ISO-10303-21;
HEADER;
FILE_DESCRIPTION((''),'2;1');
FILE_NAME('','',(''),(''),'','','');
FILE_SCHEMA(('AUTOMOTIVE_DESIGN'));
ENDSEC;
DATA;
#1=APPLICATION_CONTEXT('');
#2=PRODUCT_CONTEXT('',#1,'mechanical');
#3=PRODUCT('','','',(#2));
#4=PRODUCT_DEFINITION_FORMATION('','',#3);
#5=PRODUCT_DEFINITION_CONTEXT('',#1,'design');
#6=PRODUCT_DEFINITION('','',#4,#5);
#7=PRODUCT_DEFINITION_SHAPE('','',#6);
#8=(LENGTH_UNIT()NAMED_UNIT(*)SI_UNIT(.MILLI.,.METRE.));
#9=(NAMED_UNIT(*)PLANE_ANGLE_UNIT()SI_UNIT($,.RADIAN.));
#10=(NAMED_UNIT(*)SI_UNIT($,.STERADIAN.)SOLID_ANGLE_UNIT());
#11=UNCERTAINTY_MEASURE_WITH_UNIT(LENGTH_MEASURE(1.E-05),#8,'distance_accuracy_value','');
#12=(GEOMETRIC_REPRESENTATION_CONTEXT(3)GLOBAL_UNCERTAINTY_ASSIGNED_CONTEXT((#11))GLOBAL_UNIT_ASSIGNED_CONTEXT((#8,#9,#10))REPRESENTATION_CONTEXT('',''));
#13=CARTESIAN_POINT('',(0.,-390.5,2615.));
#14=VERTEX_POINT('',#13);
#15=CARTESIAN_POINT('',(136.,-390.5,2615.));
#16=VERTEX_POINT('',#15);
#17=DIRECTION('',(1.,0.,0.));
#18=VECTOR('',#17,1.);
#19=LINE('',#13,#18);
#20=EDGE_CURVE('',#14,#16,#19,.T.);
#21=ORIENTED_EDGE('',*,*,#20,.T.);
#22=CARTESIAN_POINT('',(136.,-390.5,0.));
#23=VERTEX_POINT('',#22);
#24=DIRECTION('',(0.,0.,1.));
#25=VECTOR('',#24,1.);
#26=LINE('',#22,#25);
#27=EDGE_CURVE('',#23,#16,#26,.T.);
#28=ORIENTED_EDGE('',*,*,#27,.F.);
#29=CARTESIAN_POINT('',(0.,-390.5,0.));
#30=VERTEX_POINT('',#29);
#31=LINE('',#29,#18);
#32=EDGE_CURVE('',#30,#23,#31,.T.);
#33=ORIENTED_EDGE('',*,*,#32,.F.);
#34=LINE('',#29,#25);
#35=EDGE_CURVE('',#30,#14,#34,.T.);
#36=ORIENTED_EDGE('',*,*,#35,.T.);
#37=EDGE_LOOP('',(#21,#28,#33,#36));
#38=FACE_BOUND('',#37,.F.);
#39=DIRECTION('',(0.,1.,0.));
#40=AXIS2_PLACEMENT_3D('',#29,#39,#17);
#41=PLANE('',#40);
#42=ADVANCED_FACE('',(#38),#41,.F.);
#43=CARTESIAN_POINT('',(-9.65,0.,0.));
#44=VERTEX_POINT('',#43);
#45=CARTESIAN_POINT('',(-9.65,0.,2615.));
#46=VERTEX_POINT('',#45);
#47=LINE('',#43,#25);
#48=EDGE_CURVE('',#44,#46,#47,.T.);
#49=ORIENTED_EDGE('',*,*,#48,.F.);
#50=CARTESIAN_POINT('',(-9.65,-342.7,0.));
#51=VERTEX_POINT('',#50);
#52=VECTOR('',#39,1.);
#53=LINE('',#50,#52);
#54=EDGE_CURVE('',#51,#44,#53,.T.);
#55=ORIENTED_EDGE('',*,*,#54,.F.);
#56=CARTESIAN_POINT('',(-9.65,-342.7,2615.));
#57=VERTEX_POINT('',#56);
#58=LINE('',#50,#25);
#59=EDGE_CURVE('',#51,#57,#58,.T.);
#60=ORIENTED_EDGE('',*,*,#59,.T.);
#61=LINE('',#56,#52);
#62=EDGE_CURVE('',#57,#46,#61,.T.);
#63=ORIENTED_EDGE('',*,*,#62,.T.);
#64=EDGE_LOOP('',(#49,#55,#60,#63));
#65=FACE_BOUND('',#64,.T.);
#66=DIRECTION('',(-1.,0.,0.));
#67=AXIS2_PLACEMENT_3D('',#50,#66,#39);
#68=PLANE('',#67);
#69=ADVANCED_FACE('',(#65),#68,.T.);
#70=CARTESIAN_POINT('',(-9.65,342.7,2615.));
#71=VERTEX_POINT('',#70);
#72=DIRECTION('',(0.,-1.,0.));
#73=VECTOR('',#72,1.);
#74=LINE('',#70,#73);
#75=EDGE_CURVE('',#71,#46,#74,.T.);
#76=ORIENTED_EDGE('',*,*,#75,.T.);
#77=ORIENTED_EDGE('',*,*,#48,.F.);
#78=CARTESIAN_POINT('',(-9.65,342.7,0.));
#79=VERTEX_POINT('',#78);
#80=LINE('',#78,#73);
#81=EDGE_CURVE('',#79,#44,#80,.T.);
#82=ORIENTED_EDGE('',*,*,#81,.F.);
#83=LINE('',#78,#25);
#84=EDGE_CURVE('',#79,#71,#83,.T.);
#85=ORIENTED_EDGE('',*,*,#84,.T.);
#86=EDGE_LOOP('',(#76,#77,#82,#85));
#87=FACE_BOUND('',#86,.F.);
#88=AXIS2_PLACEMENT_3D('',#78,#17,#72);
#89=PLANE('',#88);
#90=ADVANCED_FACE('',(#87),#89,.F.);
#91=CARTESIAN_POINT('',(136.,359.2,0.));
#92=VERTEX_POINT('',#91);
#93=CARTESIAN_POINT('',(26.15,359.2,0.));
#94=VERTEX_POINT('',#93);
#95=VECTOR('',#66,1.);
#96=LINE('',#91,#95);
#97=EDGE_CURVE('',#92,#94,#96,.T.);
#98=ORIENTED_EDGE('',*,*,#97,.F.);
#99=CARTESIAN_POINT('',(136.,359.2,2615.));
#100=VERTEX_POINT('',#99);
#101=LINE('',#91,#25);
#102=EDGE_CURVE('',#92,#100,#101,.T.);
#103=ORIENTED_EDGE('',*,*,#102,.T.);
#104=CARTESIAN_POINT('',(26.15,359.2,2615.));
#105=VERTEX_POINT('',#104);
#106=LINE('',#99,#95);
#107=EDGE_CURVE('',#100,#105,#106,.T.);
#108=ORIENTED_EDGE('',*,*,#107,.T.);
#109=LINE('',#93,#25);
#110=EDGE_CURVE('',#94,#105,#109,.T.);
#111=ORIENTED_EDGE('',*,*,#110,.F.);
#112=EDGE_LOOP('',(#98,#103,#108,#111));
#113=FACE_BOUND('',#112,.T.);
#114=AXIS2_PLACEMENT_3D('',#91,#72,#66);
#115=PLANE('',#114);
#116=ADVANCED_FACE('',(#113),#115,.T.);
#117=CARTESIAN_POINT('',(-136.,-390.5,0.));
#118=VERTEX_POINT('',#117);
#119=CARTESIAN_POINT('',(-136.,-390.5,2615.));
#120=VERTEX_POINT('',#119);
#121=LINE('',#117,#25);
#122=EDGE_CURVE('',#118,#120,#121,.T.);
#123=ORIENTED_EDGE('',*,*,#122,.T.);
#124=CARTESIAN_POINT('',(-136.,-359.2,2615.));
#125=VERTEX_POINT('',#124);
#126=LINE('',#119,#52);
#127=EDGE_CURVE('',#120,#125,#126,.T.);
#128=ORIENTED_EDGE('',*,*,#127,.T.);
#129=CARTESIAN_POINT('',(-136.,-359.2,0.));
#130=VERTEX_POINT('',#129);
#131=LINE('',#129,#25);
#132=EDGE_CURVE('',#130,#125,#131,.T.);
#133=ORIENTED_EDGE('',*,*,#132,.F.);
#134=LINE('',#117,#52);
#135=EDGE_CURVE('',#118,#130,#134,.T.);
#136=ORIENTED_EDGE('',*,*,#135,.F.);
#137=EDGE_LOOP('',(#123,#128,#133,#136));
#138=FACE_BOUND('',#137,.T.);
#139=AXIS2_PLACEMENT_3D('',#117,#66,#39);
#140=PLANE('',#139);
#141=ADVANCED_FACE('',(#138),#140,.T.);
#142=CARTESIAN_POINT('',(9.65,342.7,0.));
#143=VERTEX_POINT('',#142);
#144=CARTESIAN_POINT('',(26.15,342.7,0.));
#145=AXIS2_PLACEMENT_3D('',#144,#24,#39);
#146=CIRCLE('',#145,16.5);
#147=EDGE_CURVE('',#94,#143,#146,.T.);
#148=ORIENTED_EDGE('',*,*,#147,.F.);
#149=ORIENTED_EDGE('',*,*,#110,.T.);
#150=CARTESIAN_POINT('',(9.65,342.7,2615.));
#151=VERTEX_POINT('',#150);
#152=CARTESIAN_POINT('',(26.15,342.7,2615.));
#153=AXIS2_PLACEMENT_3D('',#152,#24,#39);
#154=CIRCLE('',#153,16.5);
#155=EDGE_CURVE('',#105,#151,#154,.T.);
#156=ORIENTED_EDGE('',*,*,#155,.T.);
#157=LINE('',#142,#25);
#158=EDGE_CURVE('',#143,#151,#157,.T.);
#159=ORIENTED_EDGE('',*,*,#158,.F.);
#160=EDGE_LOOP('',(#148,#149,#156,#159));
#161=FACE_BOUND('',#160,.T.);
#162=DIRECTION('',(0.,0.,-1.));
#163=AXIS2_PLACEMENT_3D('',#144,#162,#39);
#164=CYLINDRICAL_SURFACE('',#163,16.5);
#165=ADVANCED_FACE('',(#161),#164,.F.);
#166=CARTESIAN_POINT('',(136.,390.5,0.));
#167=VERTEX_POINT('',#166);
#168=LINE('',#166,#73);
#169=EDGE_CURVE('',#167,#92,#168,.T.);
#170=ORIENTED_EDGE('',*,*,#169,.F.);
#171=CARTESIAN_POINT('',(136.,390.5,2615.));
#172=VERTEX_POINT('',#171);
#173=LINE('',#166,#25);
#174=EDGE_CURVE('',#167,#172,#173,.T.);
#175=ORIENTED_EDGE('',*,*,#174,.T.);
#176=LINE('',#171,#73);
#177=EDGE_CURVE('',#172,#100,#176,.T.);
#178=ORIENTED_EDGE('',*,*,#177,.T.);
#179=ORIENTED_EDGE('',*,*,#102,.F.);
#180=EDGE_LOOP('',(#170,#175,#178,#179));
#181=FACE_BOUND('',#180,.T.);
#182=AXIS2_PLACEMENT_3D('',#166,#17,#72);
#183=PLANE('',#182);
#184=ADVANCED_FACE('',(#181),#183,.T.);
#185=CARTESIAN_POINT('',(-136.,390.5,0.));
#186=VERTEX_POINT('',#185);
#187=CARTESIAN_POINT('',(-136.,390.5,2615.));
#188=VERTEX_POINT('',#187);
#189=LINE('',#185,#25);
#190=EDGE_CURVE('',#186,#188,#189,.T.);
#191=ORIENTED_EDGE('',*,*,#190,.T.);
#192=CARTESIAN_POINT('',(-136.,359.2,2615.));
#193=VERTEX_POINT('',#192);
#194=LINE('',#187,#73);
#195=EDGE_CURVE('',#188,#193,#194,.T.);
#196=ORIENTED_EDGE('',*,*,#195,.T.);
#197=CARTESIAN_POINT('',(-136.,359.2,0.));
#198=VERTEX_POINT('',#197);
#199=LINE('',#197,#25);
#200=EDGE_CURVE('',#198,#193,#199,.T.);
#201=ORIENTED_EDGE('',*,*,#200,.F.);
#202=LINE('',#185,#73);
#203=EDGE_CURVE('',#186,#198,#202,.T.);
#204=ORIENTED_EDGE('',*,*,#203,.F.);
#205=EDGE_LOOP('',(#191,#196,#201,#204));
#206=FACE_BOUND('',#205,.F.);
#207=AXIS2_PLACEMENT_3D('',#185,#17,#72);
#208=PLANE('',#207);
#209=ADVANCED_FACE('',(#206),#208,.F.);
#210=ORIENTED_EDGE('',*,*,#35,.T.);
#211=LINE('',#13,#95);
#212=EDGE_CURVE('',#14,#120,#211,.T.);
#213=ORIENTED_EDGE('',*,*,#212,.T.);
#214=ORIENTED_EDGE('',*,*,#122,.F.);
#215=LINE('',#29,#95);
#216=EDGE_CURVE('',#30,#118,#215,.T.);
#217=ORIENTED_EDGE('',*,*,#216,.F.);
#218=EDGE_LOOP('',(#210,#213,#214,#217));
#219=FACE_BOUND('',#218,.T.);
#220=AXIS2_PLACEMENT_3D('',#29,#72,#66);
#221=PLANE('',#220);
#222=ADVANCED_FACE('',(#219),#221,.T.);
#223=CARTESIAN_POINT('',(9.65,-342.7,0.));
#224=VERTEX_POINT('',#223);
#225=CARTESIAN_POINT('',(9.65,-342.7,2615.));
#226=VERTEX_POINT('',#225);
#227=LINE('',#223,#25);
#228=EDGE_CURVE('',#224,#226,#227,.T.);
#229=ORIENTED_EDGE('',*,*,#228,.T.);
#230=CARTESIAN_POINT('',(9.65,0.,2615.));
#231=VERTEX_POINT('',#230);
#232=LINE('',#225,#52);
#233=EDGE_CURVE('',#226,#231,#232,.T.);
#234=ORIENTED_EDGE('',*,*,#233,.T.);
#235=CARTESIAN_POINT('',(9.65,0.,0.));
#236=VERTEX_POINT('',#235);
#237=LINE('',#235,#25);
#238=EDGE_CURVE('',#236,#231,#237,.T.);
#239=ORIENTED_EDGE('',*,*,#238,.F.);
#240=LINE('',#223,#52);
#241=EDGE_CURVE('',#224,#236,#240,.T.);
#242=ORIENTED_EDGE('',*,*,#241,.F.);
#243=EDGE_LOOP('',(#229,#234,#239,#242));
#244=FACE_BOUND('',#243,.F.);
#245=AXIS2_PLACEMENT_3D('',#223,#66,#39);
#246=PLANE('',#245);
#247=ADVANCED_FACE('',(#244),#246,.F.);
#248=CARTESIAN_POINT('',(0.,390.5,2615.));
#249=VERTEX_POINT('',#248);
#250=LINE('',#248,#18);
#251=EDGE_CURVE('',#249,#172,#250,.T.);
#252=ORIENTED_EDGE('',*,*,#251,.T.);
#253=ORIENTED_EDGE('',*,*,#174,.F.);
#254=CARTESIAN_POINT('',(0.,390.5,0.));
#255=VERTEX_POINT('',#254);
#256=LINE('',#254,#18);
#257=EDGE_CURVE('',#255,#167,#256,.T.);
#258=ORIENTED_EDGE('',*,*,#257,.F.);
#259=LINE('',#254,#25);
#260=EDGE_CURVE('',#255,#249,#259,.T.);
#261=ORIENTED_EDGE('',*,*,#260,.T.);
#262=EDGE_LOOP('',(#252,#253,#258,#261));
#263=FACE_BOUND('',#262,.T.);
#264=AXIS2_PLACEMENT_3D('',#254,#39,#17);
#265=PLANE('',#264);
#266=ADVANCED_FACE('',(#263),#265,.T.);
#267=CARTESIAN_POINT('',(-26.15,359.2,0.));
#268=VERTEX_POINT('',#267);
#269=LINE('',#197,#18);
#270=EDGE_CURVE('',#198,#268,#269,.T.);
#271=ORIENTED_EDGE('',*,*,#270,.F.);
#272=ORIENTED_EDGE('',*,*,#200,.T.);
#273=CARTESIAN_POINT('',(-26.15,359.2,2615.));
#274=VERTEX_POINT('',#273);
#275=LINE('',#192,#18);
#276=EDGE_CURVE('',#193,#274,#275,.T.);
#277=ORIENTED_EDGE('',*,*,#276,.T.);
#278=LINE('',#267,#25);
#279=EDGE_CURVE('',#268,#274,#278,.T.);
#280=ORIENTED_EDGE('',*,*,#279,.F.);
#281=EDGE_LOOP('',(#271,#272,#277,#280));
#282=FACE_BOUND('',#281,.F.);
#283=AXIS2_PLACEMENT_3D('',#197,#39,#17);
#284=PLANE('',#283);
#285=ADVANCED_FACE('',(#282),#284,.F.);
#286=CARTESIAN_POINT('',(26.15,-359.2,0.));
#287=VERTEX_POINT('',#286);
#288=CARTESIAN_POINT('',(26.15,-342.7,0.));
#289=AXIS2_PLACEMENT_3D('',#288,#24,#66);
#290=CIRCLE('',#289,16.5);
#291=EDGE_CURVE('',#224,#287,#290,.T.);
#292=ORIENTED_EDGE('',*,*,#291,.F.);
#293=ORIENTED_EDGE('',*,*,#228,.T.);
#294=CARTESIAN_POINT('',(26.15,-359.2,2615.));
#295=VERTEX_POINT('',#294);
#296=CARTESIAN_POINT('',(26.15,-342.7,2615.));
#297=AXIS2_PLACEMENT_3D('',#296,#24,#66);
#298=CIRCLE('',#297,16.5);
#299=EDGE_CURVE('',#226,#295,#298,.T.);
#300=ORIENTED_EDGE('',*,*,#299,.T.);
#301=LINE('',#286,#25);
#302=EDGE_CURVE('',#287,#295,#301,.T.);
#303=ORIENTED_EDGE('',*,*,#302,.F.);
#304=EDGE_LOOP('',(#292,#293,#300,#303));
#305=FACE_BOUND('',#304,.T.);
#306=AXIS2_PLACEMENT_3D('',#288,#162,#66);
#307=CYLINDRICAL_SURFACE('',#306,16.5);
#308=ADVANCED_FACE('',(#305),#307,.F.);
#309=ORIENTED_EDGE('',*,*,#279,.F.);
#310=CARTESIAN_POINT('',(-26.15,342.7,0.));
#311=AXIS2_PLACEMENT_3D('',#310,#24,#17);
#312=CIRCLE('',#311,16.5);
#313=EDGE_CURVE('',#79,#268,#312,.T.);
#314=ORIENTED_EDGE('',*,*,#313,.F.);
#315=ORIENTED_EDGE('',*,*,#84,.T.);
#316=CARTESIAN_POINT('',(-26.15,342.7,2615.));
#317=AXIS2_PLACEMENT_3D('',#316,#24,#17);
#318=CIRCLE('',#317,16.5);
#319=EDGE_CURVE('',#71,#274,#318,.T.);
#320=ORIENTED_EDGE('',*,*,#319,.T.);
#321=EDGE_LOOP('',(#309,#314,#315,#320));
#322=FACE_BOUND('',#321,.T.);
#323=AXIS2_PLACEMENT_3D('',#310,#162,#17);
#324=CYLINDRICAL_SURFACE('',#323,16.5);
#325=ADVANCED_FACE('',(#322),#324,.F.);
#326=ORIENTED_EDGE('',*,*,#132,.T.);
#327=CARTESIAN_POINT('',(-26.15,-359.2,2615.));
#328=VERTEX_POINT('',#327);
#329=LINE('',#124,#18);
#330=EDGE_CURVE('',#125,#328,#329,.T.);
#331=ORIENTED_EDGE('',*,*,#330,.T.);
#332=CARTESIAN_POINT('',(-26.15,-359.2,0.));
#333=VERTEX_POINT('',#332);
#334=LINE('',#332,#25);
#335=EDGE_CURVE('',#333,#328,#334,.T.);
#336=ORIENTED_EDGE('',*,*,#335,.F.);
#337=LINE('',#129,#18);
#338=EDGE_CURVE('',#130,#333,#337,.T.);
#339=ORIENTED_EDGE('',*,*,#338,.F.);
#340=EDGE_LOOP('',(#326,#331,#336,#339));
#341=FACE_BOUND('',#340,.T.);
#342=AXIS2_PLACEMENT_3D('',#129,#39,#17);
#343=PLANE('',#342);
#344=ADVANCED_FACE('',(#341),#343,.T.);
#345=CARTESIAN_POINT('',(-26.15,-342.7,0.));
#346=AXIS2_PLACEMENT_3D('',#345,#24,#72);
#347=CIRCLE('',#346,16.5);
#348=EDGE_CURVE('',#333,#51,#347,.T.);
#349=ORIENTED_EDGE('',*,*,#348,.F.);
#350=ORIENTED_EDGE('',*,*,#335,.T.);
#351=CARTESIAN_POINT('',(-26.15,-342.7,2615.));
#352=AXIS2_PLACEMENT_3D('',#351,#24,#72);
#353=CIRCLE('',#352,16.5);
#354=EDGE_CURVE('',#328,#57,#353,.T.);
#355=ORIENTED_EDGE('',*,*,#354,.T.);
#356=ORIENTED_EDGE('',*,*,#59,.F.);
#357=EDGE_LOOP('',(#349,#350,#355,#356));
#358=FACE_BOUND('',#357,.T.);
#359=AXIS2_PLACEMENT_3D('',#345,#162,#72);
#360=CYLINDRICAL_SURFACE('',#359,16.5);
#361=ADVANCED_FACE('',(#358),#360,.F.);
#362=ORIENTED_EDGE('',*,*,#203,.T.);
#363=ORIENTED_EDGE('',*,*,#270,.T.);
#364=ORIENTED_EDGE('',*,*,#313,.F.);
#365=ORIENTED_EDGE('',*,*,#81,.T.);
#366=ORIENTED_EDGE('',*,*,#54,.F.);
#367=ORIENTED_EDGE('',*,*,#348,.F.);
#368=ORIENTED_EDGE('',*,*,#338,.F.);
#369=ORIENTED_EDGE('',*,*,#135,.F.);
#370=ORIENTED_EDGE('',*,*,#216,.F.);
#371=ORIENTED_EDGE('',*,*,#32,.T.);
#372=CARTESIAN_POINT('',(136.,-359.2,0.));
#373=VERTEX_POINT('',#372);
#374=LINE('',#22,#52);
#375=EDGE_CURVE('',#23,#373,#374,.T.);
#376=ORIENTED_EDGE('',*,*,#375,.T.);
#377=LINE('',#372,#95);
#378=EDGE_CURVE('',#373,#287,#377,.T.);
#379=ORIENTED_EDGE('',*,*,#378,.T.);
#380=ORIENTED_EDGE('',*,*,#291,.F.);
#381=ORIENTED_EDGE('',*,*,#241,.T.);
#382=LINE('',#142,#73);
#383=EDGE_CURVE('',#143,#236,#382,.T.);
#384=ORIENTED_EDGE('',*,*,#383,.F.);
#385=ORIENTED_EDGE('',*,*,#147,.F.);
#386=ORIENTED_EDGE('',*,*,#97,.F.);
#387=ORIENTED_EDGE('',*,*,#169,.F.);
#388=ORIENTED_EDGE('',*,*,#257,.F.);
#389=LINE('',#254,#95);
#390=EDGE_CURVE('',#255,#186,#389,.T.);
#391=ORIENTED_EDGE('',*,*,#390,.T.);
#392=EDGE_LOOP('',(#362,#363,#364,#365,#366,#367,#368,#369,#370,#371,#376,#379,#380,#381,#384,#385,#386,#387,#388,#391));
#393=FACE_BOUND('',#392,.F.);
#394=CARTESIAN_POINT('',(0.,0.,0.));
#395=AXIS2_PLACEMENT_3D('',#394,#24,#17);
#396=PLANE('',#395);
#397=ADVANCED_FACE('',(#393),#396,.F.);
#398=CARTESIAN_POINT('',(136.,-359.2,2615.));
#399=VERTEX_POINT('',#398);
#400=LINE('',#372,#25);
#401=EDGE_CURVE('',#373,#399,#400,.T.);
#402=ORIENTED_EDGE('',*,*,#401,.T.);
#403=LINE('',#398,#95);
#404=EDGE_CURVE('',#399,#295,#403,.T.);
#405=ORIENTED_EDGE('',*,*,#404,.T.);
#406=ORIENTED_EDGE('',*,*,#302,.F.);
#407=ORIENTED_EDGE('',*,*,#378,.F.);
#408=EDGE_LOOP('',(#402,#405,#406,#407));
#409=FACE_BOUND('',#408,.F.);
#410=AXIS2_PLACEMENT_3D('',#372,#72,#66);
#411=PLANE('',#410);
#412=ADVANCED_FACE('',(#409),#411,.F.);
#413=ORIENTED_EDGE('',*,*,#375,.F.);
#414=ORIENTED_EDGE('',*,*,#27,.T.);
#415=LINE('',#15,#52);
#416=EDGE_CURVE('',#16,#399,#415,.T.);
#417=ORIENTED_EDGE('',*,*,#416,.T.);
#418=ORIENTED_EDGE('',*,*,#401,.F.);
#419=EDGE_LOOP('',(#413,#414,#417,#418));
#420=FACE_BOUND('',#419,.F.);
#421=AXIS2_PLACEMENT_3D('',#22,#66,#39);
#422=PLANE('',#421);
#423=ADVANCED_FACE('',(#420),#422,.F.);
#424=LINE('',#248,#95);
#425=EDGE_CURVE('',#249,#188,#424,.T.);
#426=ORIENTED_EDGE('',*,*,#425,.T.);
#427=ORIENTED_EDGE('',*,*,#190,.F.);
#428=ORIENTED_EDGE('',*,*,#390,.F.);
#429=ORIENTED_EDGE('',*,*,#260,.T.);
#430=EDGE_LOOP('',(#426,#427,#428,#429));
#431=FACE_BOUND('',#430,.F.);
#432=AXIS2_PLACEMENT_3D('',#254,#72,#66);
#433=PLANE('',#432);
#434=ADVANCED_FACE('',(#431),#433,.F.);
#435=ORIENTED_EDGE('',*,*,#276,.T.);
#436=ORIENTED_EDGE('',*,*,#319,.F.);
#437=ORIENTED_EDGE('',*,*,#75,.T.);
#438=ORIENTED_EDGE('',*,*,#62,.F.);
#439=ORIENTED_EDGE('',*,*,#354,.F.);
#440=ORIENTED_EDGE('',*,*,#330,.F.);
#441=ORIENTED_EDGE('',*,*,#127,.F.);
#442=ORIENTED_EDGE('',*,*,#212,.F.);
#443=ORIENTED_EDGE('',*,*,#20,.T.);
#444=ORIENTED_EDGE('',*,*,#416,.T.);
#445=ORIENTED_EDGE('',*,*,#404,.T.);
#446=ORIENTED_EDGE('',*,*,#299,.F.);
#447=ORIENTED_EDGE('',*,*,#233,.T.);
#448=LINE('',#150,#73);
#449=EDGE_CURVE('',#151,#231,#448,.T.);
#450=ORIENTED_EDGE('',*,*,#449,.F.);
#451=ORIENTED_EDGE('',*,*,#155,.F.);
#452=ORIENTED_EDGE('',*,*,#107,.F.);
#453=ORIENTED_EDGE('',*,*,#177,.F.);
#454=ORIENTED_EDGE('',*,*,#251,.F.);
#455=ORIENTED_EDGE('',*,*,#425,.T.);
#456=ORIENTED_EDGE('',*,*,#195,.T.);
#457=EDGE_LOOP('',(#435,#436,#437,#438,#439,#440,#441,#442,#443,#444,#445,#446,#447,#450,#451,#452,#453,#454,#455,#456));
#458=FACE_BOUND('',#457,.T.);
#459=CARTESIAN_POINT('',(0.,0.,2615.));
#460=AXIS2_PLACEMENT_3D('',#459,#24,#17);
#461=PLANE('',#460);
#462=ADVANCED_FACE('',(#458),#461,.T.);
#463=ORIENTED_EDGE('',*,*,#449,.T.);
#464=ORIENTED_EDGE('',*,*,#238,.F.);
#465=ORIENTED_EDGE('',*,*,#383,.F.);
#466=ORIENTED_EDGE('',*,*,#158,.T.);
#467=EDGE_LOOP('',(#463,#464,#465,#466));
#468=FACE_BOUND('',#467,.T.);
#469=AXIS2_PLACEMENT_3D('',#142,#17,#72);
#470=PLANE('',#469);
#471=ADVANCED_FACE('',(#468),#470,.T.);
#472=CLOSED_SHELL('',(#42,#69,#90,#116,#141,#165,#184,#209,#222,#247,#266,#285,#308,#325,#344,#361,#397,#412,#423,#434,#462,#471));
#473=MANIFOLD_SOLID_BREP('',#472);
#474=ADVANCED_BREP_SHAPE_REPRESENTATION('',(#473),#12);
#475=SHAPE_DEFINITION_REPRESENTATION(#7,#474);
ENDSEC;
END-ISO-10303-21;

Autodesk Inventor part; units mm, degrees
ref_plane "YZ Plane" through (0, 0, 0) normal (1, 0, 0) x (0, 1, 0)
ref_plane "Start plane" through (0, 0, 0) normal (0, 0, 1) x (1, 0, 0)
ref_plane "End plane" through (0, 0, 2615) normal (0, 0, 1) x (1, 0, 0)
sketch "Sketch" plane through (0, 0, 0) normal (0, 0, 1) x (1, 0, 0)
  line L0 (-136, -390.5) -> (-136, -359.2)
  line L1 (-136, -359.2) -> (-26.15, -359.2)
  line L2 (-9.65, -342.7) -> (-9.65, 0)
  line L3 (-9.65, 0) -> (0, 0) construction
  line L4 (0, 0) -> (0, -390.5) construction
  line L5 (0, -390.5) -> (-136, -390.5)
  line L6 (-60, 0) -> (80, 0) construction
  line L7 (0, -60) -> (0, 80) construction
  line L8 (136, -390.5) -> (136, -359.2)
  line L9 (136, -359.2) -> (26.15, -359.2)
  line L10 (9.65, -342.7) -> (9.65, 0)
  line L11 (9.65, 0) -> (0, 0) construction
  line L12 (0, -390.5) -> (136, -390.5)
  line L13 (-136, 390.5) -> (-136, 359.2)
  line L14 (-136, 359.2) -> (-26.15, 359.2)
  line L15 (-9.65, 342.7) -> (-9.65, 0)
  line L16 (0, 390.5) -> (-136, 390.5)
  line L17 (136, 390.5) -> (136, 359.2)
  line L18 (136, 359.2) -> (26.15, 359.2)
  line L19 (0, 390.5) -> (136, 390.5)
  line L20 (9.65, 342.7) -> (9.65, 0)
  arc A0 (-9.65, 342.7) -> (-26.15, 359.2) centre (-26.15, 342.7) ccw
  arc A1 (26.15, 359.2) -> (9.65, 342.7) centre (26.15, 342.7) ccw
  arc A2 (9.65, -342.7) -> (26.15, -359.2) centre (26.15, -342.7) ccw
  arc A3 (-26.15, -359.2) -> (-9.65, -342.7) centre (-26.15, -342.7) ccw
  line L21 (0, 108) -> (0, -88) construction
  line L22 (-88, 0) -> (108, 0) construction
  point P0 (-9.65, -359.2)
  point P1 (9.65, -359.2)
  point P2 (-9.65, 359.2)
  point P3 (9.65, 359.2)
  dimension "d1" = 390.5
  dimension "d2" = 31.3
  dimension "d3" = 136
  dimension "d4" = 9.65
  dimension "d10" = 16.5
extrude "Body" add sketch "Sketch" along normal up to surface (2615 mm away) from surface at 0
sketch "Sketch4" plane through (0, 0, 0) normal (0, 0, 1) x (1, 0, 0)
  line L0 (0, 0) -> (10, 0)
ref_plane "Work Plane3" through (0, 0, 0) normal (0, -1, 0) x (1, 0, 0)
sketch "Sketch5" plane through (0, 0, 0) normal (0, -1, 0) x (1, 0, 0)
  line L0 (-2, 0) -> (12, 0) projected
  line L1 (-2, 2615) -> (12, 2615) projected
  dimension "d14" = 2615
equation "\"d1\" = 0.5 * G_H"
equation "\"d2\" = G_T1"
equation "\"d3\" = 0.5 * G_W"
equation "\"d4\" = 0.5 * G_T"
equation "\"d10\" = G_IR"
equation "\"d5\" = G_L"
equation "\"G_W\" = 272"
equation "\"G_H\" = 781"
equation "\"G_T\" = 19.3"
equation "\"G_T1\" = 31.3"
equation "\"G_IR\" = 16.5"
equation "\"G_L\" = d14"
equation "\"G_OFFSET_START\" = 0"
equation "\"G_OFFSET_END\" = 0"
equation "\"d12\" = G_OFFSET_END + B_L"
equation "\"B_L\" = 2615"
properties part number "AS 3679-1990 - 760 UB - 244 - 2615" material "Steel, Mild"
